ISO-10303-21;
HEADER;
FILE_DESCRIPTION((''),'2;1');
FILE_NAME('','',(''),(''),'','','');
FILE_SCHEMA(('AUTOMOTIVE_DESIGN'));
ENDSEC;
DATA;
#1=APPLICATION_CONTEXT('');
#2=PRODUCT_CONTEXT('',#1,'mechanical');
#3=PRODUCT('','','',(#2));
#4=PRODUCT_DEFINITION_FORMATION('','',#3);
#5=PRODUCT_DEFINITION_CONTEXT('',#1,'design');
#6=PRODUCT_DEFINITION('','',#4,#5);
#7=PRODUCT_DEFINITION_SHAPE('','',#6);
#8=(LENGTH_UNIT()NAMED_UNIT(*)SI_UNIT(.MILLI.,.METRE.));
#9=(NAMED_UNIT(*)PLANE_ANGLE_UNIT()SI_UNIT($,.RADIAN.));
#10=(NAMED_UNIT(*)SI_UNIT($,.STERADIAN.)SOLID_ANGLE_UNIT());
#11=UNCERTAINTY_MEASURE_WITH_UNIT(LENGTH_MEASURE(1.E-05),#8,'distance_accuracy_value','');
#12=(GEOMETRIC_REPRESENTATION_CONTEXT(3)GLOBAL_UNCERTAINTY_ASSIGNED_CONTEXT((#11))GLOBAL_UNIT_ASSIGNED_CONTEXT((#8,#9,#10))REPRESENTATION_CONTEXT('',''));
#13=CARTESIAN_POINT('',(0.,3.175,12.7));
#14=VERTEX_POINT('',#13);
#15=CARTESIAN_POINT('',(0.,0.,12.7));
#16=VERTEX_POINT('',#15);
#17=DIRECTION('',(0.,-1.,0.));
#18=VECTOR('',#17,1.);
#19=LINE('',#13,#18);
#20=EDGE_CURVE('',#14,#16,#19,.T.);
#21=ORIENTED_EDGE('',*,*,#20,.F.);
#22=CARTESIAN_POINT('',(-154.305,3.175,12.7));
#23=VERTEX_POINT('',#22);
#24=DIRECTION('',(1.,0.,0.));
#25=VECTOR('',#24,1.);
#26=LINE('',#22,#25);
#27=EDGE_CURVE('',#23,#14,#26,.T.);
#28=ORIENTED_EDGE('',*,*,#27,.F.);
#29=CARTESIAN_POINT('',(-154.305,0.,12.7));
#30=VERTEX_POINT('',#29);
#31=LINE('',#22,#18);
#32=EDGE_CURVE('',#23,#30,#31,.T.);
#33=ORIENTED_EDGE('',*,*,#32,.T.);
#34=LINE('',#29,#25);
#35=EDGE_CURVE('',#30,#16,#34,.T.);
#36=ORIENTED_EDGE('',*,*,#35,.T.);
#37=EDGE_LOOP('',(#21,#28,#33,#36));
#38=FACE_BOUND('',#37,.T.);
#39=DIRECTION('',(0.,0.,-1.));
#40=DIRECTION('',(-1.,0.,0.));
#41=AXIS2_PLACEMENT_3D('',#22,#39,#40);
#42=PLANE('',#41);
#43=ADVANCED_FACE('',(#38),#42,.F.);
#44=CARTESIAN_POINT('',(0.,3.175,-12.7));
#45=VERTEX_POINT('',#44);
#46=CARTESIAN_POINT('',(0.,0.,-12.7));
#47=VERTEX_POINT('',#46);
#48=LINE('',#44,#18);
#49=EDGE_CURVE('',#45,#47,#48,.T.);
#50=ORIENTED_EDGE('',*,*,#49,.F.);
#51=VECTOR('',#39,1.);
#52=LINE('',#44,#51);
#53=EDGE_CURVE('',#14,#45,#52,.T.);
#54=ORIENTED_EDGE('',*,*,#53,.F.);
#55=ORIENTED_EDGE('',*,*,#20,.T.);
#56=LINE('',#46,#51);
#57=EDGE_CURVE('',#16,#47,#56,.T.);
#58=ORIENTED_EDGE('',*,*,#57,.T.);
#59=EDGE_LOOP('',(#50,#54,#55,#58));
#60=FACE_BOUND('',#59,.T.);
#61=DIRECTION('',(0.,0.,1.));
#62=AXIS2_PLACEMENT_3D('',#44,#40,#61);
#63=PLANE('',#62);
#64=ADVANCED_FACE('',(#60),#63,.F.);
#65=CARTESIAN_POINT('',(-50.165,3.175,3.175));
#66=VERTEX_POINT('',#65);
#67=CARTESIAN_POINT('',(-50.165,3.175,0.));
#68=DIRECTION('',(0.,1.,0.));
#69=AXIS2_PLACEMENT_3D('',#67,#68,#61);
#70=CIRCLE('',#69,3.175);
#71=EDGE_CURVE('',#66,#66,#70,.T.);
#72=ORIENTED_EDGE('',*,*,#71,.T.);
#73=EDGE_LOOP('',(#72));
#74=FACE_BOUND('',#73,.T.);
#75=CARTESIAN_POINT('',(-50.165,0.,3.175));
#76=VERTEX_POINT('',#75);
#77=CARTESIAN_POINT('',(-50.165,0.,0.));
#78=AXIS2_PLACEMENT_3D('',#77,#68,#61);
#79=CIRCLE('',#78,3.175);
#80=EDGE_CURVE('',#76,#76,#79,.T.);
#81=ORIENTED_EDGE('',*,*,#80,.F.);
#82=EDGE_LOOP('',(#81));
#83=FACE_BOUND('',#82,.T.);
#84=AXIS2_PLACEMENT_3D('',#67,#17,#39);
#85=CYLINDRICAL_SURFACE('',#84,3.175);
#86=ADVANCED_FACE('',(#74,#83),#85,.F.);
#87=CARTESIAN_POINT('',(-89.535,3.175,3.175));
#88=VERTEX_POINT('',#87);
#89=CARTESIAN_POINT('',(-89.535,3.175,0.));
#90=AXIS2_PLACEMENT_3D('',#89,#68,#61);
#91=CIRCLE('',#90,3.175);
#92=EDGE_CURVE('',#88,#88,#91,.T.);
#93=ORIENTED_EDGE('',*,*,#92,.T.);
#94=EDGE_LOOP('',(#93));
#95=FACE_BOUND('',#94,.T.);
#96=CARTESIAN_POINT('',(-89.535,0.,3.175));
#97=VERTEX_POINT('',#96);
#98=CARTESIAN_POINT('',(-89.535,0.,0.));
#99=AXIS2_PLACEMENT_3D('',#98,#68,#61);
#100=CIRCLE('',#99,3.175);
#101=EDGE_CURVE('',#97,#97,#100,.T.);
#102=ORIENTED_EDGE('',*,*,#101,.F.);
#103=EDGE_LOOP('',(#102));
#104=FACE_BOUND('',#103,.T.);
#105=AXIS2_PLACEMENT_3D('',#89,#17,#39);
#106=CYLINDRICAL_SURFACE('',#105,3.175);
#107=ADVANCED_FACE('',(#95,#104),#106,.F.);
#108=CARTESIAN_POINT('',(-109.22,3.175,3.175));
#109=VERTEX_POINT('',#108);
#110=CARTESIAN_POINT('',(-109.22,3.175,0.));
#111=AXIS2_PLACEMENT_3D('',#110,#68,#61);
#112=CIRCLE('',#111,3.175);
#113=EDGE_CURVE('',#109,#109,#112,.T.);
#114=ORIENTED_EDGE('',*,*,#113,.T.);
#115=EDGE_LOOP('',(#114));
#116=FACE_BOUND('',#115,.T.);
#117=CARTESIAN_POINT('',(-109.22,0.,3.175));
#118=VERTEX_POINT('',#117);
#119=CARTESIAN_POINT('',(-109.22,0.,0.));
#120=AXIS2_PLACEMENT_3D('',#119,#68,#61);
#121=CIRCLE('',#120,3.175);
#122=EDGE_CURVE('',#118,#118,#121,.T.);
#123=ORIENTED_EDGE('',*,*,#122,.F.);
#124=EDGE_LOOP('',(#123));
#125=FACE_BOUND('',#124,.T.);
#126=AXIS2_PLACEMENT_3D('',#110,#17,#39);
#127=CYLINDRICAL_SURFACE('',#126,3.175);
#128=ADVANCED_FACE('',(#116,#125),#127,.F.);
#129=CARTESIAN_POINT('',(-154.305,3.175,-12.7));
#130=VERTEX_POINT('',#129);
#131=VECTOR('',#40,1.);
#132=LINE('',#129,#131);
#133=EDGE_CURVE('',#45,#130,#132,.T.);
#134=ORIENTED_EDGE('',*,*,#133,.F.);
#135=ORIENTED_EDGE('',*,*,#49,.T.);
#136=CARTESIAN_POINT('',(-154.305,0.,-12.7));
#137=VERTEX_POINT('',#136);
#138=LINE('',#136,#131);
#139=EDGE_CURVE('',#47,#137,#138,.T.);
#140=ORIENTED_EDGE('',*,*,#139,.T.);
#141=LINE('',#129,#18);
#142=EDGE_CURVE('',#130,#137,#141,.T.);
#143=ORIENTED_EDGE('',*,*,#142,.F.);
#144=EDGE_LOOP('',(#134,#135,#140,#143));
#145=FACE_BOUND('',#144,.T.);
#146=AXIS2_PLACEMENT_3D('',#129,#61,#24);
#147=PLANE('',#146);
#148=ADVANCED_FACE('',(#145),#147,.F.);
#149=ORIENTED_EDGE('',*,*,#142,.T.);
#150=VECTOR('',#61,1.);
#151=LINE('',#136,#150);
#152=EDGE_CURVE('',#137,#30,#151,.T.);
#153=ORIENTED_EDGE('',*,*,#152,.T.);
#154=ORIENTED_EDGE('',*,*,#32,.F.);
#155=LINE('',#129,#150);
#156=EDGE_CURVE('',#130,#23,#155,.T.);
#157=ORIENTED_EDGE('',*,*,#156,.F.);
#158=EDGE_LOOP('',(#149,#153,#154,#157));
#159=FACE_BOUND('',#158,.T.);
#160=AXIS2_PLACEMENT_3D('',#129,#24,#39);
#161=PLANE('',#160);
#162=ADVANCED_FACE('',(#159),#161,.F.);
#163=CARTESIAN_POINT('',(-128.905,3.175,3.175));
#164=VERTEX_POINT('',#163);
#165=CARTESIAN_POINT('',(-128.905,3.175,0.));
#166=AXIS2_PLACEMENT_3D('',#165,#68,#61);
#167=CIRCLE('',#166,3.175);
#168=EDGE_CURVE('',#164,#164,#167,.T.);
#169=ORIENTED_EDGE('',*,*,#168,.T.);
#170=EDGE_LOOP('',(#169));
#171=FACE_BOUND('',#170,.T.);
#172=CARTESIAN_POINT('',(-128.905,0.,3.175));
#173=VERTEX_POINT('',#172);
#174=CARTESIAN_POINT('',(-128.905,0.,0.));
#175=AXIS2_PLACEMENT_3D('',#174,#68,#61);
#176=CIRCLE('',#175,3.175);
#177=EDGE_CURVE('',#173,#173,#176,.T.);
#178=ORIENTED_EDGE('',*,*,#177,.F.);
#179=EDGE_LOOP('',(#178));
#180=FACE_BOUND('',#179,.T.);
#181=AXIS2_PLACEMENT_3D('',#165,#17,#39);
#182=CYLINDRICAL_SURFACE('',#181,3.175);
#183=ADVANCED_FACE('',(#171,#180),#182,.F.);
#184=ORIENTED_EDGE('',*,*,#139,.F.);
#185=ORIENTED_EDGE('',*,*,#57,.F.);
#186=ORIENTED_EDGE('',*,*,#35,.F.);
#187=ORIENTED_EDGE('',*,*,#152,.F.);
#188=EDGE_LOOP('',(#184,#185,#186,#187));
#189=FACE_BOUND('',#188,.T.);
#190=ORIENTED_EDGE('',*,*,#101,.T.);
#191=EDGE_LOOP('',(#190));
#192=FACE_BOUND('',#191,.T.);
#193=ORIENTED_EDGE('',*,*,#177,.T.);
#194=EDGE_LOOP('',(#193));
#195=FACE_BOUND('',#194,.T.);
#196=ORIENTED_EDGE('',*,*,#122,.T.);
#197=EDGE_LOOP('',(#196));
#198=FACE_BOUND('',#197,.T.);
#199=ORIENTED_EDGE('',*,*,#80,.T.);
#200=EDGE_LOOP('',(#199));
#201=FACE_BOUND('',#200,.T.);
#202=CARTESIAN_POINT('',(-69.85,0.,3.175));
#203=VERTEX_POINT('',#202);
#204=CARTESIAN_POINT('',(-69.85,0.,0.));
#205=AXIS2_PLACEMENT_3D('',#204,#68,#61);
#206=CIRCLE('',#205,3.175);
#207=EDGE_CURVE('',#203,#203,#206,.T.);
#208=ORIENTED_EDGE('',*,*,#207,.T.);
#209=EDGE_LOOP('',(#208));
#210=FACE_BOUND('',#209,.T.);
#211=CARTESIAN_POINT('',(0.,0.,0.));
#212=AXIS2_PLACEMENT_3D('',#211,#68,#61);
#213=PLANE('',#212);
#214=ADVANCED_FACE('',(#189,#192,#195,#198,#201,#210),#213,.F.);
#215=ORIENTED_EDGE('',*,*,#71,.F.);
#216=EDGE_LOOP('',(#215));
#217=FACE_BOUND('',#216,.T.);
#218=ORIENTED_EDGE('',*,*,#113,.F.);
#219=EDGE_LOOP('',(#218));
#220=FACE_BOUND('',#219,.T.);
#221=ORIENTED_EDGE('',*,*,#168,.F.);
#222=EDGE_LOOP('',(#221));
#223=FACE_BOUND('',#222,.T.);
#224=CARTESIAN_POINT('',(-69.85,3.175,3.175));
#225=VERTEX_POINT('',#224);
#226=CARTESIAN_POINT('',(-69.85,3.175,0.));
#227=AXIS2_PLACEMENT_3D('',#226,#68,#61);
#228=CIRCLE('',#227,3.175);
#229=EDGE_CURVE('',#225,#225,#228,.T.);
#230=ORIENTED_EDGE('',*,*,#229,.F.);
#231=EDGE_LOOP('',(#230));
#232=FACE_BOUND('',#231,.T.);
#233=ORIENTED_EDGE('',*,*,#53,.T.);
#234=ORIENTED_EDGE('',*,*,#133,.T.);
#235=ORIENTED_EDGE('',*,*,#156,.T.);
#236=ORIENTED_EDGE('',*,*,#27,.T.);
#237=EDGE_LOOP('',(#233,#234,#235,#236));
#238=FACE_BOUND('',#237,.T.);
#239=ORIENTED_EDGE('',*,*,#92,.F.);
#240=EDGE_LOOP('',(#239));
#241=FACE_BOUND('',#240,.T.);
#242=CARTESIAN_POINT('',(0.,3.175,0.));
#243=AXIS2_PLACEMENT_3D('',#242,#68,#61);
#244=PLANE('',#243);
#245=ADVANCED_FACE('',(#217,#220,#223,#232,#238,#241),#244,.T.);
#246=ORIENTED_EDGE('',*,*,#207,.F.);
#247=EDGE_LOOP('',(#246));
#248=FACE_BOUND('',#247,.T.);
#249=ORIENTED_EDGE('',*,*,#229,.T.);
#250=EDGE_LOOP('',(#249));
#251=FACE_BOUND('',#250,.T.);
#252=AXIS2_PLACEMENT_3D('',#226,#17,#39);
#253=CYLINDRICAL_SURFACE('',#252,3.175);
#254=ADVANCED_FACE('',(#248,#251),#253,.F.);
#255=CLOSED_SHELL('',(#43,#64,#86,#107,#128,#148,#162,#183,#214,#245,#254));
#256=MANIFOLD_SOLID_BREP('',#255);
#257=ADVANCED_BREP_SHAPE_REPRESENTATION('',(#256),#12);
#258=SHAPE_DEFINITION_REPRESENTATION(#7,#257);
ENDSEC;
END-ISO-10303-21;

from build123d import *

# Parameters (mm, degrees)
SKETCH1_W           = 154.305
SKETCH1_H           = 25.4
SKETCH1_R           = 3.175
BOSS_EXTRUDE1_DEPTH = 3.175


with BuildPart() as part:
    # Sketch1 → Boss-Extrude1 (new body)
    with BuildSketch(Plane(origin=(0, 0, 0), x_dir=(1, 0, 0), z_dir=(0, 1, 0))):
        with Locations((-77.1525, 0)):
            Rectangle(SKETCH1_W, SKETCH1_H)
        with Locations(Location((-109.22, 0, 0), (0, 0, 270))):
            Circle(SKETCH1_R, mode=Mode.SUBTRACT)
        with Locations(Location((-89.535, 0, 0), (0, 0, 270))):
            Circle(SKETCH1_R, mode=Mode.SUBTRACT)
        with Locations(Location((-69.85, 0, 0), (0, 0, 270))):
            Circle(SKETCH1_R, mode=Mode.SUBTRACT)
        with Locations(Location((-128.905, 0, 0), (0, 0, 270))):
            Circle(SKETCH1_R, mode=Mode.SUBTRACT)
        with Locations(Location((-50.165, 0, 0), (0, 0, 270))):
            Circle(SKETCH1_R, mode=Mode.SUBTRACT)
    extrude(amount=BOSS_EXTRUDE1_DEPTH)


solid = part.part
